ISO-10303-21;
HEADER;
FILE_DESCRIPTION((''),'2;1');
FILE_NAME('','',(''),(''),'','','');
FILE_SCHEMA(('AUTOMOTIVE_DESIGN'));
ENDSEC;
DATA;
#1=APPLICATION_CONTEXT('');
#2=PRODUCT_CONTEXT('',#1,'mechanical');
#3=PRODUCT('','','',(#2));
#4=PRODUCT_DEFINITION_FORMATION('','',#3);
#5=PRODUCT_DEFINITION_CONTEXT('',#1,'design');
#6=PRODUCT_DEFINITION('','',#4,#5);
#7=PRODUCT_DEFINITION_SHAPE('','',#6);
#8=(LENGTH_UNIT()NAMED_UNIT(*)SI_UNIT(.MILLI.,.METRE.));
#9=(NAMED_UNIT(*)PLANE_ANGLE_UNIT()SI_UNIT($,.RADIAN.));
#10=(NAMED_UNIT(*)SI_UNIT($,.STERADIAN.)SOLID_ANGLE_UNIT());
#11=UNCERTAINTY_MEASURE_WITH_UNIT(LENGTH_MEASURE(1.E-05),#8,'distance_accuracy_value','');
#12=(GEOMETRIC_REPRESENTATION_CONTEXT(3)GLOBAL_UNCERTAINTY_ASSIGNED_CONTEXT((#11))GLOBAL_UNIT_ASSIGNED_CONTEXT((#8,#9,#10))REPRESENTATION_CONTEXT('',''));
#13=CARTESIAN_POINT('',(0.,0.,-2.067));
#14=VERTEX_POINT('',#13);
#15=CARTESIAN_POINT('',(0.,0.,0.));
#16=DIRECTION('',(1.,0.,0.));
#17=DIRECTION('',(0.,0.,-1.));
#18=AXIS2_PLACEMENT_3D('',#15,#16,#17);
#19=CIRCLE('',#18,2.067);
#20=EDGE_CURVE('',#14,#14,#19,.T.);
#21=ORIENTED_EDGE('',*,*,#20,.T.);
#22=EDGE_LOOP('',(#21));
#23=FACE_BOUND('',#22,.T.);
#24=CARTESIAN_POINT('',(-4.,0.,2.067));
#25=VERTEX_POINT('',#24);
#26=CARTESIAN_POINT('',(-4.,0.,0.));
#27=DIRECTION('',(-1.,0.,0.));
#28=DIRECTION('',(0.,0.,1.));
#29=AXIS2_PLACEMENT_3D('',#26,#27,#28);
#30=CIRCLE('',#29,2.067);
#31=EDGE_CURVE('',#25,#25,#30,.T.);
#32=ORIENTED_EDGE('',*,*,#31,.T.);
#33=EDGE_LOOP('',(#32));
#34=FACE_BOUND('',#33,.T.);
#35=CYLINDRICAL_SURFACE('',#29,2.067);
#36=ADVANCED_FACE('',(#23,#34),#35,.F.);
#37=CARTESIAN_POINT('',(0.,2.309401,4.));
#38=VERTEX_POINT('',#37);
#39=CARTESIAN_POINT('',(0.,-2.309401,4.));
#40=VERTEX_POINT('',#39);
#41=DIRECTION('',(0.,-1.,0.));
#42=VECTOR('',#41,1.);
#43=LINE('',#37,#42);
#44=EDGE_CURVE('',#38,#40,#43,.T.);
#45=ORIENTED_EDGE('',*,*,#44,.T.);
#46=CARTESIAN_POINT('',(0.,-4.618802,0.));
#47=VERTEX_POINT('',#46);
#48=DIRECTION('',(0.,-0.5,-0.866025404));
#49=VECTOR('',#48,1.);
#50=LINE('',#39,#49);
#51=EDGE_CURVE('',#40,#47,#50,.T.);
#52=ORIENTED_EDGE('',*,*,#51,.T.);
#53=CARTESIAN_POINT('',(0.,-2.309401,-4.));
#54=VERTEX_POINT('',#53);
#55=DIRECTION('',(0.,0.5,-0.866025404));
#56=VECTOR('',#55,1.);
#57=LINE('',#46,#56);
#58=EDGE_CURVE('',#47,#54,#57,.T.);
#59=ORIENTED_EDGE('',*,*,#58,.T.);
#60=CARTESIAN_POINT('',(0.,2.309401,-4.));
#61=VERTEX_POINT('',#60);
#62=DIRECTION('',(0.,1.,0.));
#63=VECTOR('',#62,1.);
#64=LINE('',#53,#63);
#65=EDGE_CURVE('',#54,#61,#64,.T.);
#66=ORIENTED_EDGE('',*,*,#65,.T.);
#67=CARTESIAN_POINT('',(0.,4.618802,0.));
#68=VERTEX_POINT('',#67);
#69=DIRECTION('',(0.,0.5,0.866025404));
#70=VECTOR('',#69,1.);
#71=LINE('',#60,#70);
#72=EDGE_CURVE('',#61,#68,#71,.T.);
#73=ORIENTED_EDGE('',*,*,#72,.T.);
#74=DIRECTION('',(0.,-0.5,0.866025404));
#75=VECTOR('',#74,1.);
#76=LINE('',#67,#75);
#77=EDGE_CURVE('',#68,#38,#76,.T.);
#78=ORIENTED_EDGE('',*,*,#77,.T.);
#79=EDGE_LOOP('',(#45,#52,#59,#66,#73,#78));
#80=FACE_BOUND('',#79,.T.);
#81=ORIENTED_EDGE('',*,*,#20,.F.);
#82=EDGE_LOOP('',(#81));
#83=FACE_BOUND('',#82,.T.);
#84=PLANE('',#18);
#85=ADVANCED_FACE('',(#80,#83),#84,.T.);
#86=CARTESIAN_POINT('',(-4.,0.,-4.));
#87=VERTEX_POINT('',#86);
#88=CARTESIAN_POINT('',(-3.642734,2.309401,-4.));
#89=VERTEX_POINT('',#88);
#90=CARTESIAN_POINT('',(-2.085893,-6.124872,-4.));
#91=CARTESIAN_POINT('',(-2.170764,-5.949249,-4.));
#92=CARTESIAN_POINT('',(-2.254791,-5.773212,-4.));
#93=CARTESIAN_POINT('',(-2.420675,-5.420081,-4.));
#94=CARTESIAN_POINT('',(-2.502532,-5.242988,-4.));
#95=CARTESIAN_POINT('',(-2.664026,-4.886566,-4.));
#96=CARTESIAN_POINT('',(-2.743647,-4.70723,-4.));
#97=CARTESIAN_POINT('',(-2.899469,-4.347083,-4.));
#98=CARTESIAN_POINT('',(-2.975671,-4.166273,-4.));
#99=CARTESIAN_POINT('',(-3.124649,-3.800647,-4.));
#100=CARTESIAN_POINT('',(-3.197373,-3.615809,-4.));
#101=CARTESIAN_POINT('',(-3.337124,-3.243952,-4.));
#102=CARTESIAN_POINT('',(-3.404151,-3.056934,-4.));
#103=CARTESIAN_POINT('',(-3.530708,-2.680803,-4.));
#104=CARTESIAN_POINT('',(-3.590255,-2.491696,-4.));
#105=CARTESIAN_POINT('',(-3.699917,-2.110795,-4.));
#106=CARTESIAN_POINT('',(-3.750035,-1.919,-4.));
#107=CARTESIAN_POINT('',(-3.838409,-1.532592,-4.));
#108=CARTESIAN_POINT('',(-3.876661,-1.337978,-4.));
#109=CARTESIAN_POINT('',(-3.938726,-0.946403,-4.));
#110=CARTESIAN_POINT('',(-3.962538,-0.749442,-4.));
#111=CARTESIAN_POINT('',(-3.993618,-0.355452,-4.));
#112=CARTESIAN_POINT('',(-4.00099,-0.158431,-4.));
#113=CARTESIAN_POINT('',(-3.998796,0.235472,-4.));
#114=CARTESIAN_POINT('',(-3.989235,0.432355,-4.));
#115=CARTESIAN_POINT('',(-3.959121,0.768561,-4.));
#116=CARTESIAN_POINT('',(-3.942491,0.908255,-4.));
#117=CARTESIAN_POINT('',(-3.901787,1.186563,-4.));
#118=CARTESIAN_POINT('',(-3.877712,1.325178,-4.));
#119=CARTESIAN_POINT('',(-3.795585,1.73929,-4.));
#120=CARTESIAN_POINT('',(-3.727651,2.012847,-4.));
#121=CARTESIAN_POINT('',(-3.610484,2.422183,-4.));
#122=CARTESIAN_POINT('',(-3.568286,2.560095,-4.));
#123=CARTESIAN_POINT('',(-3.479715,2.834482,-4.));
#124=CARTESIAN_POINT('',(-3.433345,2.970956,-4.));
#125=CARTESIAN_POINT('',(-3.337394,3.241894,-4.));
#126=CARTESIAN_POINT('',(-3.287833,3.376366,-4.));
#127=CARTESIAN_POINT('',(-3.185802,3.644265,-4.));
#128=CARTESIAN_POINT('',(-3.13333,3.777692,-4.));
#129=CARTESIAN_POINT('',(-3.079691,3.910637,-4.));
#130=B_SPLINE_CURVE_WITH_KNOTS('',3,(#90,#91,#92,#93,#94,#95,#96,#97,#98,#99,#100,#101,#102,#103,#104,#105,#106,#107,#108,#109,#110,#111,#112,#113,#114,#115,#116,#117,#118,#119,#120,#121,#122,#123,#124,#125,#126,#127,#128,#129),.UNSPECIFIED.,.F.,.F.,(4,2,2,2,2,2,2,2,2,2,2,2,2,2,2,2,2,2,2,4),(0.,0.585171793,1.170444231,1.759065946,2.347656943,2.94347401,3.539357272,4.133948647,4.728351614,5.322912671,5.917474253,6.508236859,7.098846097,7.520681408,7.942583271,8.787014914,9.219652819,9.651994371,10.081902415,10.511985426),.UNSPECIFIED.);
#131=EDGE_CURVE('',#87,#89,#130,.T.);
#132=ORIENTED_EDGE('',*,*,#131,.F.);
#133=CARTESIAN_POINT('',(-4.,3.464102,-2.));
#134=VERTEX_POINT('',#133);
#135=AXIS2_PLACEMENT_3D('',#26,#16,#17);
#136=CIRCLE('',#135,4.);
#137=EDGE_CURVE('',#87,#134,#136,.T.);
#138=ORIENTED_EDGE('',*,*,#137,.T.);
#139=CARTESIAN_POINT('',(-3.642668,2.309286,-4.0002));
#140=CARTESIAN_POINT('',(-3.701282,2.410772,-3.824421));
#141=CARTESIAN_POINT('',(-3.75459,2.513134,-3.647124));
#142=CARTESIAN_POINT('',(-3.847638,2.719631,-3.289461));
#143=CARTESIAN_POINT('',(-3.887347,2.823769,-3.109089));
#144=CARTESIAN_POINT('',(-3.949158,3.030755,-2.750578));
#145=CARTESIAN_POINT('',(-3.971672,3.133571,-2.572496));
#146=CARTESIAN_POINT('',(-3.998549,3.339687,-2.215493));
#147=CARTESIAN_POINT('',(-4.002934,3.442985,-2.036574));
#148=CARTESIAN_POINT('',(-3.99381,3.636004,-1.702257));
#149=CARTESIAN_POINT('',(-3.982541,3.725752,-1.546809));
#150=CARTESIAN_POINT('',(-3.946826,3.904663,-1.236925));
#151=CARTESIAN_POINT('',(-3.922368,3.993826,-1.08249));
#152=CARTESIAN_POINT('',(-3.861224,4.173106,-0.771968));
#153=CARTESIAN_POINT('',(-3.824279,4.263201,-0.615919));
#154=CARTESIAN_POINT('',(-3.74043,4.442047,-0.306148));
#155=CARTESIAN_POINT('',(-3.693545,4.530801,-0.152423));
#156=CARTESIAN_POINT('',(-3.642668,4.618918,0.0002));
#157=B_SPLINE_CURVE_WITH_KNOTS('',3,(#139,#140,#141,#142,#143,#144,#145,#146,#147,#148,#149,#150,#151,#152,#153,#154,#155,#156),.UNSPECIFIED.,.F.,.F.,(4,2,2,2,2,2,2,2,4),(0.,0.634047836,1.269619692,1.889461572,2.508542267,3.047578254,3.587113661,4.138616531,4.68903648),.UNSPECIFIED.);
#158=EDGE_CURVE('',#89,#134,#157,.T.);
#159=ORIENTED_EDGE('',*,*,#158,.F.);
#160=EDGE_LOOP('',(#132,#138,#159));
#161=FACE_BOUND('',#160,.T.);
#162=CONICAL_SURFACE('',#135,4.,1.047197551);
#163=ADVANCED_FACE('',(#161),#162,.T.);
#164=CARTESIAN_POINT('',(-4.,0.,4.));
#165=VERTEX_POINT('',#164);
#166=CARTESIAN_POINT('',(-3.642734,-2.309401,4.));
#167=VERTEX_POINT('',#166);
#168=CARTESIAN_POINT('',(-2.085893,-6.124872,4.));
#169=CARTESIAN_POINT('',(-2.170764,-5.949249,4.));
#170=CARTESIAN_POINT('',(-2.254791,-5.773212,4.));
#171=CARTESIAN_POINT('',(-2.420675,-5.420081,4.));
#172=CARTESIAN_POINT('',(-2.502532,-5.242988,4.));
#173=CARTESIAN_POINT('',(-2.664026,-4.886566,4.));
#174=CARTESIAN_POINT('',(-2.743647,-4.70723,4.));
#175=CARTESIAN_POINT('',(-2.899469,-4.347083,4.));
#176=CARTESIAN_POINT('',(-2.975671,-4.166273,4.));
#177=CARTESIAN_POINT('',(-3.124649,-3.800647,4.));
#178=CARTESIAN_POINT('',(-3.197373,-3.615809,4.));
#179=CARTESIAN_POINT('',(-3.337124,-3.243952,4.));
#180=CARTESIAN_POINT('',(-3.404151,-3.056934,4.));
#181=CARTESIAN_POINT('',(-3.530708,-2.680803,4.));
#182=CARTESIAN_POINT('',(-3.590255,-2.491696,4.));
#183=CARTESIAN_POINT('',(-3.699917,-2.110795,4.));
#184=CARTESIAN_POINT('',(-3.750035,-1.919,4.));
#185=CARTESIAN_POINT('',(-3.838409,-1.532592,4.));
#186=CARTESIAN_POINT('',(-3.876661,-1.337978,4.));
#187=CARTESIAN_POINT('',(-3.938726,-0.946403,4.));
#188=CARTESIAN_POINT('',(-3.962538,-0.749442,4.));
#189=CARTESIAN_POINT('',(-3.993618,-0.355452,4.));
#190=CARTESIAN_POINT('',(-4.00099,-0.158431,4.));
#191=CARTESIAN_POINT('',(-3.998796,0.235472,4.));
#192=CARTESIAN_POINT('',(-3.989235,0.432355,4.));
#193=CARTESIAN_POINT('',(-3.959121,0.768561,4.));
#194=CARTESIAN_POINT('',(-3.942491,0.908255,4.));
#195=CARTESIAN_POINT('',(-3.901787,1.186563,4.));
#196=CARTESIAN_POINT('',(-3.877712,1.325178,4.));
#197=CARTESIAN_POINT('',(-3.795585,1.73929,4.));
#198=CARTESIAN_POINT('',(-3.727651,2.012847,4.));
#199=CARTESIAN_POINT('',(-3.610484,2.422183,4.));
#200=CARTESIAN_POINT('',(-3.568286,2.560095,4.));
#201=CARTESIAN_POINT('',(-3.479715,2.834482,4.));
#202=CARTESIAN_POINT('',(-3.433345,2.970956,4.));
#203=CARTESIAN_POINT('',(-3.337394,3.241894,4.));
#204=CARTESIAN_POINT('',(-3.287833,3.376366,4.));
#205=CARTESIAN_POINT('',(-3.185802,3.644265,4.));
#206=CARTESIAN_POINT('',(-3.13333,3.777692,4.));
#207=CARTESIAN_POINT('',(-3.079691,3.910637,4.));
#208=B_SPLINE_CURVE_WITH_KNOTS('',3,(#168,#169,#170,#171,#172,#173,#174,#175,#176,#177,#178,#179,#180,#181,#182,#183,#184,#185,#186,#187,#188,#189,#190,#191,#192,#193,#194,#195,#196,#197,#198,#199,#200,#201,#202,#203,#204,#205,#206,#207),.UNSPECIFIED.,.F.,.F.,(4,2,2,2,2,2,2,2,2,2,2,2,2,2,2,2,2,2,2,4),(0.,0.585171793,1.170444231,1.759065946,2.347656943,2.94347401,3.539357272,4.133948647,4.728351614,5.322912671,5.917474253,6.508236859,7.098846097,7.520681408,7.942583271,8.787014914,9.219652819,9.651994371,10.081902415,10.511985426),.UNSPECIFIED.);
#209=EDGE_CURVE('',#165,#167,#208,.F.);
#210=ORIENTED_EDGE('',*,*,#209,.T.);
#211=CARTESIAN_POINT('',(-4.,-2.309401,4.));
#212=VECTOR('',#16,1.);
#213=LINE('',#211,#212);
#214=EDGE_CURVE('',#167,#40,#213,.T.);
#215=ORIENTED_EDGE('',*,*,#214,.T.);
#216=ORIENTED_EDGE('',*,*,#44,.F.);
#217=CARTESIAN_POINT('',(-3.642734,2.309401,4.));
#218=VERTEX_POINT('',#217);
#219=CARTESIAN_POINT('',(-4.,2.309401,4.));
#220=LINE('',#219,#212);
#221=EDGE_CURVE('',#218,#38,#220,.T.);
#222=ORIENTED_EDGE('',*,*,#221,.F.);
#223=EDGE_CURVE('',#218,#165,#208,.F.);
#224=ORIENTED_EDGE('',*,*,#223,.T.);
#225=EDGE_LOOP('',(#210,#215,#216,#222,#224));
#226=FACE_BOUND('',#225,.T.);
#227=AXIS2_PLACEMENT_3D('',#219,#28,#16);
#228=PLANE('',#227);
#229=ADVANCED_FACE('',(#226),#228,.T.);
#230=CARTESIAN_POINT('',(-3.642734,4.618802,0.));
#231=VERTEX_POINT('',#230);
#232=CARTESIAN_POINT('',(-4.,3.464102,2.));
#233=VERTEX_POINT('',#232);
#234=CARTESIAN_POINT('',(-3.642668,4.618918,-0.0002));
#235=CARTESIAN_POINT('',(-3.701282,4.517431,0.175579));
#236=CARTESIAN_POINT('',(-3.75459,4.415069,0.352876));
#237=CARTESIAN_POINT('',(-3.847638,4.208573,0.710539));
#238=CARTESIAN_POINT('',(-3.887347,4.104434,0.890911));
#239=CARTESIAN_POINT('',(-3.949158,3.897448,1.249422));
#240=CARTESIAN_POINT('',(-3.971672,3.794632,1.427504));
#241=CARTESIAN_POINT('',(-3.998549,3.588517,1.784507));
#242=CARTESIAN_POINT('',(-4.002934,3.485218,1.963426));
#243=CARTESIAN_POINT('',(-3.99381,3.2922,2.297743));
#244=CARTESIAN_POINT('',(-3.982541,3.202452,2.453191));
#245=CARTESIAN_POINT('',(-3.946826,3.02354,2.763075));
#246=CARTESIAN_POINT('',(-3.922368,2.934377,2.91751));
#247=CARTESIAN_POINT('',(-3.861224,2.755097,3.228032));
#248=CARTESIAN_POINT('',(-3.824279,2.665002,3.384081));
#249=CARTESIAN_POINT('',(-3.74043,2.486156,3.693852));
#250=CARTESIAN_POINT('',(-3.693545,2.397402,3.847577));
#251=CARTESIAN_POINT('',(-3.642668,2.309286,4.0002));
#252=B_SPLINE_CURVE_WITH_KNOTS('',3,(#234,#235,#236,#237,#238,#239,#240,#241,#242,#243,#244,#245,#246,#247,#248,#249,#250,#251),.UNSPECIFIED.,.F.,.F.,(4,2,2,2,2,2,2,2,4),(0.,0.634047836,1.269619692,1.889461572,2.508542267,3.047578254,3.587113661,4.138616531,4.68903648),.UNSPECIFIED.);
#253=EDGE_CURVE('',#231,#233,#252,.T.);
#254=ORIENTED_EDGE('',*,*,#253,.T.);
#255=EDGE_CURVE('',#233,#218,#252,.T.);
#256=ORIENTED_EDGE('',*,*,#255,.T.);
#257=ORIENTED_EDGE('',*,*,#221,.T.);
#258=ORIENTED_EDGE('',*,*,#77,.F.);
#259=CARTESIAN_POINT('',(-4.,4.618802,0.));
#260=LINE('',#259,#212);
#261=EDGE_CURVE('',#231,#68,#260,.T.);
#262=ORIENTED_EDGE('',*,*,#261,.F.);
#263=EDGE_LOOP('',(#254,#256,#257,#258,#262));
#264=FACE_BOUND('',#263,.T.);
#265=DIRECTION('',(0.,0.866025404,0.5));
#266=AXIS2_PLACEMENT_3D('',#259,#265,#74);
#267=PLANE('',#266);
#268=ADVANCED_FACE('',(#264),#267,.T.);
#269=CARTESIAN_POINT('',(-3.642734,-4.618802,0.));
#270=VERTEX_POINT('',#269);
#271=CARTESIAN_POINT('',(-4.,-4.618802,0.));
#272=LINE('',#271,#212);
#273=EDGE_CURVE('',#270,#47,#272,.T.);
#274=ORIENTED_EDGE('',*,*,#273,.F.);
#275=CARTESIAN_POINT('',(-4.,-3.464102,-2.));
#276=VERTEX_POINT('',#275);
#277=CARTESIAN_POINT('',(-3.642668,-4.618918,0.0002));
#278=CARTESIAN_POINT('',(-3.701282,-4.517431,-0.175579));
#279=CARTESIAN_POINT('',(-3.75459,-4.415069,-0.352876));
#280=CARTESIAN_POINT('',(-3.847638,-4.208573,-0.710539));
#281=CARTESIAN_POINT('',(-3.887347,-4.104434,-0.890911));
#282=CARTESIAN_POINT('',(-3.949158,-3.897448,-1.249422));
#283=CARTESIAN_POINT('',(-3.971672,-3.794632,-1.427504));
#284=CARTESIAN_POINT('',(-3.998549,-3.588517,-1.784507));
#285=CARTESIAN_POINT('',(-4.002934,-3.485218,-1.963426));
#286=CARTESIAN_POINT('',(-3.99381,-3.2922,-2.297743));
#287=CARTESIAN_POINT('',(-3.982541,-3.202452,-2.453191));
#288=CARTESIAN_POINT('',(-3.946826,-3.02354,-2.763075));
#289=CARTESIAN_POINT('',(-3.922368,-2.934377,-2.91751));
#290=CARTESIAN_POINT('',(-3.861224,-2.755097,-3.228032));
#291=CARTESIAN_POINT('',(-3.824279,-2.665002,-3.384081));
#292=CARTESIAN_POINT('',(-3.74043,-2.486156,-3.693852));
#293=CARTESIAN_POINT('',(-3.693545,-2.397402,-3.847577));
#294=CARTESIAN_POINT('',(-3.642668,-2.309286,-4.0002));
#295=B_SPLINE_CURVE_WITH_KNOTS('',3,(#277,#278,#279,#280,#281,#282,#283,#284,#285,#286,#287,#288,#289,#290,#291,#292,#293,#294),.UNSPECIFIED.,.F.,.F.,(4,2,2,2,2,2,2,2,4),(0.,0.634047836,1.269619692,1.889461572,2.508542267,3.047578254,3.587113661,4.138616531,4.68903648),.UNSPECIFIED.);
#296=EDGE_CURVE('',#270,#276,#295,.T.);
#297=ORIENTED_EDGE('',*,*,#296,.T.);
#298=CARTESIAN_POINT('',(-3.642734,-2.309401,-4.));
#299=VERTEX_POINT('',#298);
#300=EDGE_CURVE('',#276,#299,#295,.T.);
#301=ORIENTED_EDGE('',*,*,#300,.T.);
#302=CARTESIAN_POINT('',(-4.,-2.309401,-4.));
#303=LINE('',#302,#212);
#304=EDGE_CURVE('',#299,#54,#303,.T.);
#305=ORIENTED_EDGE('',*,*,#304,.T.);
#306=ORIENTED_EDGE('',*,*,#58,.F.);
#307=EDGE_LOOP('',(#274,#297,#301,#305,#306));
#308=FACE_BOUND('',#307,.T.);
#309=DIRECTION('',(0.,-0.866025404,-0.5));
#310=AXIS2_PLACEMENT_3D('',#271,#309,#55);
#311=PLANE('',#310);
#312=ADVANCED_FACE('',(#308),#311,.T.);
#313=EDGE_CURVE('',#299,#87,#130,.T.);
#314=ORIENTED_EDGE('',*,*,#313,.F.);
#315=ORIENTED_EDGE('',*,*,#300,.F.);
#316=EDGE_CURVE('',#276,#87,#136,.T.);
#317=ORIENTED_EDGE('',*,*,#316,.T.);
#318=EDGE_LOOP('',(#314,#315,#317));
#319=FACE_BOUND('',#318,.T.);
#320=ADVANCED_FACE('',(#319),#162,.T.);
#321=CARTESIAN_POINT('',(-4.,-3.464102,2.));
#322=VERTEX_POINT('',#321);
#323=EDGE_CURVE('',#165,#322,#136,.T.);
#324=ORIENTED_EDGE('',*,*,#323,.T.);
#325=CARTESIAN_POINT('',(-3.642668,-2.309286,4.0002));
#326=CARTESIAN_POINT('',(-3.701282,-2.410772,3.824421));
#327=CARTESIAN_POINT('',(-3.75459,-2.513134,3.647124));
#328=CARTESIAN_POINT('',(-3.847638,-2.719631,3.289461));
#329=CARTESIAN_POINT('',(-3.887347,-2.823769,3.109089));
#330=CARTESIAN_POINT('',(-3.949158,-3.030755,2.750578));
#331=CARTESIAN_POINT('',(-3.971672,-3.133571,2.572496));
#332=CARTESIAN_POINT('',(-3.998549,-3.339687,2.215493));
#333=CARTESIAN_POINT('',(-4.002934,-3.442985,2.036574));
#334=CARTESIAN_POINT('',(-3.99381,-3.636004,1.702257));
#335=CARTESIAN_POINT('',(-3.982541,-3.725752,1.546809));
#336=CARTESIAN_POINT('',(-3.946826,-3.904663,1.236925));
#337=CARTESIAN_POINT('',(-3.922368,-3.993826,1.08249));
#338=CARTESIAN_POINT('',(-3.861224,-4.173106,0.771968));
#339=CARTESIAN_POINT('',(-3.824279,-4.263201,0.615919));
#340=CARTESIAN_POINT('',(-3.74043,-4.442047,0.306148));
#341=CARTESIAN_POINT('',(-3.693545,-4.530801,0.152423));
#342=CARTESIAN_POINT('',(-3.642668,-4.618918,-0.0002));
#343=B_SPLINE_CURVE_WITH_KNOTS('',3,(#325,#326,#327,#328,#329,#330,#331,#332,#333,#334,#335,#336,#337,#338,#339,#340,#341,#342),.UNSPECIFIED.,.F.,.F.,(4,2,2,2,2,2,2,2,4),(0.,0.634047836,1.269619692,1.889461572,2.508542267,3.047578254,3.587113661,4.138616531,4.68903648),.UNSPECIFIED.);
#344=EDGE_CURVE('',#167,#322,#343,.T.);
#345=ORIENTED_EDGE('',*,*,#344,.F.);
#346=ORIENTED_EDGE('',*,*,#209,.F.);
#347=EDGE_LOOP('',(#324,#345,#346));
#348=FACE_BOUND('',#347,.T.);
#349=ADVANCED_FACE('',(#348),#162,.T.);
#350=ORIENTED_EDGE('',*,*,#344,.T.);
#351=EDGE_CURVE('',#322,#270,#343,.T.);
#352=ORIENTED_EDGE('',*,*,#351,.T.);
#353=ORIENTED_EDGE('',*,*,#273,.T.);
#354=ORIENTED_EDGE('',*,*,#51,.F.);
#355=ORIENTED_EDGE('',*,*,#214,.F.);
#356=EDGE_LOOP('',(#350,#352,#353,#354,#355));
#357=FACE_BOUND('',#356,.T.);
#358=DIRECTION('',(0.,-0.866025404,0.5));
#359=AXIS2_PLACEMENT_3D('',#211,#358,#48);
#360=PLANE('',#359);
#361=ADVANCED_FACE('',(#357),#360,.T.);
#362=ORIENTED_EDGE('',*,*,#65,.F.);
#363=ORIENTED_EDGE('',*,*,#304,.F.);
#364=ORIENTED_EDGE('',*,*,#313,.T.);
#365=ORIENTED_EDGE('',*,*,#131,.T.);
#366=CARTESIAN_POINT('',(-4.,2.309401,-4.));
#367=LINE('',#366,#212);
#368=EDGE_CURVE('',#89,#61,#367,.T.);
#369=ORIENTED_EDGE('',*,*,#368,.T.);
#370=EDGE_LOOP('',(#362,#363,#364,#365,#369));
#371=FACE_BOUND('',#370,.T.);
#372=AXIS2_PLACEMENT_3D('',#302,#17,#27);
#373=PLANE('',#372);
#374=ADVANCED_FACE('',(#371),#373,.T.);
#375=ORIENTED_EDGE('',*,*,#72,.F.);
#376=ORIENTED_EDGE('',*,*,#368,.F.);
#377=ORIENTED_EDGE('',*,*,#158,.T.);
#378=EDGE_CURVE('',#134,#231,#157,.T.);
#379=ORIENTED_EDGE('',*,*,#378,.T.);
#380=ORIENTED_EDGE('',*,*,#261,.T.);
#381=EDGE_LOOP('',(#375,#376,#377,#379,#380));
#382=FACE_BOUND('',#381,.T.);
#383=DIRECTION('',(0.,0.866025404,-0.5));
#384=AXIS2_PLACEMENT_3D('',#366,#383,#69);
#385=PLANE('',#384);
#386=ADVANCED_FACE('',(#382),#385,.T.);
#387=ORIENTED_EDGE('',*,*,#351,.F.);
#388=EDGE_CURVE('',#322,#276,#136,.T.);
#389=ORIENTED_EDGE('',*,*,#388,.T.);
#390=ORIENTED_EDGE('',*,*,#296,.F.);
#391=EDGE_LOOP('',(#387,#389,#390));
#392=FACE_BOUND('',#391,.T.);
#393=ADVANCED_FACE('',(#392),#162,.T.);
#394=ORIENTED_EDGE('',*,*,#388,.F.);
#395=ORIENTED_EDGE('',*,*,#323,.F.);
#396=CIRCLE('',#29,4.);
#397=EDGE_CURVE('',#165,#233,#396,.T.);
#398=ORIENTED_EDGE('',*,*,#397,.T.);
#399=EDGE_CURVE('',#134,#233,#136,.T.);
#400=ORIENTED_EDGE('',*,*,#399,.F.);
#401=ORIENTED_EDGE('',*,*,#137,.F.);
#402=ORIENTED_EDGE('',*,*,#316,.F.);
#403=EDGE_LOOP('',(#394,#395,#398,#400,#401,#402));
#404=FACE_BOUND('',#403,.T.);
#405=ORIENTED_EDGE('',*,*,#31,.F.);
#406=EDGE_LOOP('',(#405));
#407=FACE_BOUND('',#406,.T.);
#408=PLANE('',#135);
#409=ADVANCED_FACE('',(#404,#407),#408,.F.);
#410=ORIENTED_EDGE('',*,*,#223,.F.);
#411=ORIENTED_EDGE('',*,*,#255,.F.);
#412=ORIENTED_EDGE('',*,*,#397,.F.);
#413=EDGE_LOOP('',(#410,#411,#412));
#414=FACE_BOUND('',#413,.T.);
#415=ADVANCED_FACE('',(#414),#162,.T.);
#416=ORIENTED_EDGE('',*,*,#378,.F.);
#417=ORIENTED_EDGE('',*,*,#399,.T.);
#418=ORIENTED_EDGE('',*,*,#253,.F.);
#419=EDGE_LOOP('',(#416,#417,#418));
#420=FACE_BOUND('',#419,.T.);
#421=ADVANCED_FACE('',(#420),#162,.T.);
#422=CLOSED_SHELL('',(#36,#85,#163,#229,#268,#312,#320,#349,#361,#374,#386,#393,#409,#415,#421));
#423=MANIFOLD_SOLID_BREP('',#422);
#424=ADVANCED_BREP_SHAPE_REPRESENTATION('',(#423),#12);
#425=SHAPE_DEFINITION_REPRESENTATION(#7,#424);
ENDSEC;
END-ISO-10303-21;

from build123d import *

# Parameters (mm, degrees)
BOSS_EXTRUDE1_DEPTH = 4
TAP1_D              = 4.134


with BuildPart() as part:
    # Sketch1 → Boss-Extrude1 (new body)
    with BuildSketch(Plane(origin=(0, 0, 0), x_dir=(0, 0, -1), z_dir=(1, 0, 0))):
        Polygon((0, 4.618802154), (-4, 2.309401077), (-4, -2.309401077), (0, -4.618802154), (4, -2.309401077), (4, 2.309401077), align=None)
    extrude(amount=-BOSS_EXTRUDE1_DEPTH)

    # Sketch2 → Cut-Revolve1 (revolve, cut)
    with BuildSketch(Plane.XY):
        Polygon((-4, 4), (-3.64273441, 4.618802154), (-4, 4.618802154), align=None)
    revolve(axis=Axis((-2.23854625, 0, 0), (1, 0, 0)), mode=Mode.SUBTRACT)

    # Tap1 (through all)
    with Locations(Plane.ZY.offset(4)):
        with Locations((0, 0)):
            Hole(TAP1_D / 2)


solid = part.part
